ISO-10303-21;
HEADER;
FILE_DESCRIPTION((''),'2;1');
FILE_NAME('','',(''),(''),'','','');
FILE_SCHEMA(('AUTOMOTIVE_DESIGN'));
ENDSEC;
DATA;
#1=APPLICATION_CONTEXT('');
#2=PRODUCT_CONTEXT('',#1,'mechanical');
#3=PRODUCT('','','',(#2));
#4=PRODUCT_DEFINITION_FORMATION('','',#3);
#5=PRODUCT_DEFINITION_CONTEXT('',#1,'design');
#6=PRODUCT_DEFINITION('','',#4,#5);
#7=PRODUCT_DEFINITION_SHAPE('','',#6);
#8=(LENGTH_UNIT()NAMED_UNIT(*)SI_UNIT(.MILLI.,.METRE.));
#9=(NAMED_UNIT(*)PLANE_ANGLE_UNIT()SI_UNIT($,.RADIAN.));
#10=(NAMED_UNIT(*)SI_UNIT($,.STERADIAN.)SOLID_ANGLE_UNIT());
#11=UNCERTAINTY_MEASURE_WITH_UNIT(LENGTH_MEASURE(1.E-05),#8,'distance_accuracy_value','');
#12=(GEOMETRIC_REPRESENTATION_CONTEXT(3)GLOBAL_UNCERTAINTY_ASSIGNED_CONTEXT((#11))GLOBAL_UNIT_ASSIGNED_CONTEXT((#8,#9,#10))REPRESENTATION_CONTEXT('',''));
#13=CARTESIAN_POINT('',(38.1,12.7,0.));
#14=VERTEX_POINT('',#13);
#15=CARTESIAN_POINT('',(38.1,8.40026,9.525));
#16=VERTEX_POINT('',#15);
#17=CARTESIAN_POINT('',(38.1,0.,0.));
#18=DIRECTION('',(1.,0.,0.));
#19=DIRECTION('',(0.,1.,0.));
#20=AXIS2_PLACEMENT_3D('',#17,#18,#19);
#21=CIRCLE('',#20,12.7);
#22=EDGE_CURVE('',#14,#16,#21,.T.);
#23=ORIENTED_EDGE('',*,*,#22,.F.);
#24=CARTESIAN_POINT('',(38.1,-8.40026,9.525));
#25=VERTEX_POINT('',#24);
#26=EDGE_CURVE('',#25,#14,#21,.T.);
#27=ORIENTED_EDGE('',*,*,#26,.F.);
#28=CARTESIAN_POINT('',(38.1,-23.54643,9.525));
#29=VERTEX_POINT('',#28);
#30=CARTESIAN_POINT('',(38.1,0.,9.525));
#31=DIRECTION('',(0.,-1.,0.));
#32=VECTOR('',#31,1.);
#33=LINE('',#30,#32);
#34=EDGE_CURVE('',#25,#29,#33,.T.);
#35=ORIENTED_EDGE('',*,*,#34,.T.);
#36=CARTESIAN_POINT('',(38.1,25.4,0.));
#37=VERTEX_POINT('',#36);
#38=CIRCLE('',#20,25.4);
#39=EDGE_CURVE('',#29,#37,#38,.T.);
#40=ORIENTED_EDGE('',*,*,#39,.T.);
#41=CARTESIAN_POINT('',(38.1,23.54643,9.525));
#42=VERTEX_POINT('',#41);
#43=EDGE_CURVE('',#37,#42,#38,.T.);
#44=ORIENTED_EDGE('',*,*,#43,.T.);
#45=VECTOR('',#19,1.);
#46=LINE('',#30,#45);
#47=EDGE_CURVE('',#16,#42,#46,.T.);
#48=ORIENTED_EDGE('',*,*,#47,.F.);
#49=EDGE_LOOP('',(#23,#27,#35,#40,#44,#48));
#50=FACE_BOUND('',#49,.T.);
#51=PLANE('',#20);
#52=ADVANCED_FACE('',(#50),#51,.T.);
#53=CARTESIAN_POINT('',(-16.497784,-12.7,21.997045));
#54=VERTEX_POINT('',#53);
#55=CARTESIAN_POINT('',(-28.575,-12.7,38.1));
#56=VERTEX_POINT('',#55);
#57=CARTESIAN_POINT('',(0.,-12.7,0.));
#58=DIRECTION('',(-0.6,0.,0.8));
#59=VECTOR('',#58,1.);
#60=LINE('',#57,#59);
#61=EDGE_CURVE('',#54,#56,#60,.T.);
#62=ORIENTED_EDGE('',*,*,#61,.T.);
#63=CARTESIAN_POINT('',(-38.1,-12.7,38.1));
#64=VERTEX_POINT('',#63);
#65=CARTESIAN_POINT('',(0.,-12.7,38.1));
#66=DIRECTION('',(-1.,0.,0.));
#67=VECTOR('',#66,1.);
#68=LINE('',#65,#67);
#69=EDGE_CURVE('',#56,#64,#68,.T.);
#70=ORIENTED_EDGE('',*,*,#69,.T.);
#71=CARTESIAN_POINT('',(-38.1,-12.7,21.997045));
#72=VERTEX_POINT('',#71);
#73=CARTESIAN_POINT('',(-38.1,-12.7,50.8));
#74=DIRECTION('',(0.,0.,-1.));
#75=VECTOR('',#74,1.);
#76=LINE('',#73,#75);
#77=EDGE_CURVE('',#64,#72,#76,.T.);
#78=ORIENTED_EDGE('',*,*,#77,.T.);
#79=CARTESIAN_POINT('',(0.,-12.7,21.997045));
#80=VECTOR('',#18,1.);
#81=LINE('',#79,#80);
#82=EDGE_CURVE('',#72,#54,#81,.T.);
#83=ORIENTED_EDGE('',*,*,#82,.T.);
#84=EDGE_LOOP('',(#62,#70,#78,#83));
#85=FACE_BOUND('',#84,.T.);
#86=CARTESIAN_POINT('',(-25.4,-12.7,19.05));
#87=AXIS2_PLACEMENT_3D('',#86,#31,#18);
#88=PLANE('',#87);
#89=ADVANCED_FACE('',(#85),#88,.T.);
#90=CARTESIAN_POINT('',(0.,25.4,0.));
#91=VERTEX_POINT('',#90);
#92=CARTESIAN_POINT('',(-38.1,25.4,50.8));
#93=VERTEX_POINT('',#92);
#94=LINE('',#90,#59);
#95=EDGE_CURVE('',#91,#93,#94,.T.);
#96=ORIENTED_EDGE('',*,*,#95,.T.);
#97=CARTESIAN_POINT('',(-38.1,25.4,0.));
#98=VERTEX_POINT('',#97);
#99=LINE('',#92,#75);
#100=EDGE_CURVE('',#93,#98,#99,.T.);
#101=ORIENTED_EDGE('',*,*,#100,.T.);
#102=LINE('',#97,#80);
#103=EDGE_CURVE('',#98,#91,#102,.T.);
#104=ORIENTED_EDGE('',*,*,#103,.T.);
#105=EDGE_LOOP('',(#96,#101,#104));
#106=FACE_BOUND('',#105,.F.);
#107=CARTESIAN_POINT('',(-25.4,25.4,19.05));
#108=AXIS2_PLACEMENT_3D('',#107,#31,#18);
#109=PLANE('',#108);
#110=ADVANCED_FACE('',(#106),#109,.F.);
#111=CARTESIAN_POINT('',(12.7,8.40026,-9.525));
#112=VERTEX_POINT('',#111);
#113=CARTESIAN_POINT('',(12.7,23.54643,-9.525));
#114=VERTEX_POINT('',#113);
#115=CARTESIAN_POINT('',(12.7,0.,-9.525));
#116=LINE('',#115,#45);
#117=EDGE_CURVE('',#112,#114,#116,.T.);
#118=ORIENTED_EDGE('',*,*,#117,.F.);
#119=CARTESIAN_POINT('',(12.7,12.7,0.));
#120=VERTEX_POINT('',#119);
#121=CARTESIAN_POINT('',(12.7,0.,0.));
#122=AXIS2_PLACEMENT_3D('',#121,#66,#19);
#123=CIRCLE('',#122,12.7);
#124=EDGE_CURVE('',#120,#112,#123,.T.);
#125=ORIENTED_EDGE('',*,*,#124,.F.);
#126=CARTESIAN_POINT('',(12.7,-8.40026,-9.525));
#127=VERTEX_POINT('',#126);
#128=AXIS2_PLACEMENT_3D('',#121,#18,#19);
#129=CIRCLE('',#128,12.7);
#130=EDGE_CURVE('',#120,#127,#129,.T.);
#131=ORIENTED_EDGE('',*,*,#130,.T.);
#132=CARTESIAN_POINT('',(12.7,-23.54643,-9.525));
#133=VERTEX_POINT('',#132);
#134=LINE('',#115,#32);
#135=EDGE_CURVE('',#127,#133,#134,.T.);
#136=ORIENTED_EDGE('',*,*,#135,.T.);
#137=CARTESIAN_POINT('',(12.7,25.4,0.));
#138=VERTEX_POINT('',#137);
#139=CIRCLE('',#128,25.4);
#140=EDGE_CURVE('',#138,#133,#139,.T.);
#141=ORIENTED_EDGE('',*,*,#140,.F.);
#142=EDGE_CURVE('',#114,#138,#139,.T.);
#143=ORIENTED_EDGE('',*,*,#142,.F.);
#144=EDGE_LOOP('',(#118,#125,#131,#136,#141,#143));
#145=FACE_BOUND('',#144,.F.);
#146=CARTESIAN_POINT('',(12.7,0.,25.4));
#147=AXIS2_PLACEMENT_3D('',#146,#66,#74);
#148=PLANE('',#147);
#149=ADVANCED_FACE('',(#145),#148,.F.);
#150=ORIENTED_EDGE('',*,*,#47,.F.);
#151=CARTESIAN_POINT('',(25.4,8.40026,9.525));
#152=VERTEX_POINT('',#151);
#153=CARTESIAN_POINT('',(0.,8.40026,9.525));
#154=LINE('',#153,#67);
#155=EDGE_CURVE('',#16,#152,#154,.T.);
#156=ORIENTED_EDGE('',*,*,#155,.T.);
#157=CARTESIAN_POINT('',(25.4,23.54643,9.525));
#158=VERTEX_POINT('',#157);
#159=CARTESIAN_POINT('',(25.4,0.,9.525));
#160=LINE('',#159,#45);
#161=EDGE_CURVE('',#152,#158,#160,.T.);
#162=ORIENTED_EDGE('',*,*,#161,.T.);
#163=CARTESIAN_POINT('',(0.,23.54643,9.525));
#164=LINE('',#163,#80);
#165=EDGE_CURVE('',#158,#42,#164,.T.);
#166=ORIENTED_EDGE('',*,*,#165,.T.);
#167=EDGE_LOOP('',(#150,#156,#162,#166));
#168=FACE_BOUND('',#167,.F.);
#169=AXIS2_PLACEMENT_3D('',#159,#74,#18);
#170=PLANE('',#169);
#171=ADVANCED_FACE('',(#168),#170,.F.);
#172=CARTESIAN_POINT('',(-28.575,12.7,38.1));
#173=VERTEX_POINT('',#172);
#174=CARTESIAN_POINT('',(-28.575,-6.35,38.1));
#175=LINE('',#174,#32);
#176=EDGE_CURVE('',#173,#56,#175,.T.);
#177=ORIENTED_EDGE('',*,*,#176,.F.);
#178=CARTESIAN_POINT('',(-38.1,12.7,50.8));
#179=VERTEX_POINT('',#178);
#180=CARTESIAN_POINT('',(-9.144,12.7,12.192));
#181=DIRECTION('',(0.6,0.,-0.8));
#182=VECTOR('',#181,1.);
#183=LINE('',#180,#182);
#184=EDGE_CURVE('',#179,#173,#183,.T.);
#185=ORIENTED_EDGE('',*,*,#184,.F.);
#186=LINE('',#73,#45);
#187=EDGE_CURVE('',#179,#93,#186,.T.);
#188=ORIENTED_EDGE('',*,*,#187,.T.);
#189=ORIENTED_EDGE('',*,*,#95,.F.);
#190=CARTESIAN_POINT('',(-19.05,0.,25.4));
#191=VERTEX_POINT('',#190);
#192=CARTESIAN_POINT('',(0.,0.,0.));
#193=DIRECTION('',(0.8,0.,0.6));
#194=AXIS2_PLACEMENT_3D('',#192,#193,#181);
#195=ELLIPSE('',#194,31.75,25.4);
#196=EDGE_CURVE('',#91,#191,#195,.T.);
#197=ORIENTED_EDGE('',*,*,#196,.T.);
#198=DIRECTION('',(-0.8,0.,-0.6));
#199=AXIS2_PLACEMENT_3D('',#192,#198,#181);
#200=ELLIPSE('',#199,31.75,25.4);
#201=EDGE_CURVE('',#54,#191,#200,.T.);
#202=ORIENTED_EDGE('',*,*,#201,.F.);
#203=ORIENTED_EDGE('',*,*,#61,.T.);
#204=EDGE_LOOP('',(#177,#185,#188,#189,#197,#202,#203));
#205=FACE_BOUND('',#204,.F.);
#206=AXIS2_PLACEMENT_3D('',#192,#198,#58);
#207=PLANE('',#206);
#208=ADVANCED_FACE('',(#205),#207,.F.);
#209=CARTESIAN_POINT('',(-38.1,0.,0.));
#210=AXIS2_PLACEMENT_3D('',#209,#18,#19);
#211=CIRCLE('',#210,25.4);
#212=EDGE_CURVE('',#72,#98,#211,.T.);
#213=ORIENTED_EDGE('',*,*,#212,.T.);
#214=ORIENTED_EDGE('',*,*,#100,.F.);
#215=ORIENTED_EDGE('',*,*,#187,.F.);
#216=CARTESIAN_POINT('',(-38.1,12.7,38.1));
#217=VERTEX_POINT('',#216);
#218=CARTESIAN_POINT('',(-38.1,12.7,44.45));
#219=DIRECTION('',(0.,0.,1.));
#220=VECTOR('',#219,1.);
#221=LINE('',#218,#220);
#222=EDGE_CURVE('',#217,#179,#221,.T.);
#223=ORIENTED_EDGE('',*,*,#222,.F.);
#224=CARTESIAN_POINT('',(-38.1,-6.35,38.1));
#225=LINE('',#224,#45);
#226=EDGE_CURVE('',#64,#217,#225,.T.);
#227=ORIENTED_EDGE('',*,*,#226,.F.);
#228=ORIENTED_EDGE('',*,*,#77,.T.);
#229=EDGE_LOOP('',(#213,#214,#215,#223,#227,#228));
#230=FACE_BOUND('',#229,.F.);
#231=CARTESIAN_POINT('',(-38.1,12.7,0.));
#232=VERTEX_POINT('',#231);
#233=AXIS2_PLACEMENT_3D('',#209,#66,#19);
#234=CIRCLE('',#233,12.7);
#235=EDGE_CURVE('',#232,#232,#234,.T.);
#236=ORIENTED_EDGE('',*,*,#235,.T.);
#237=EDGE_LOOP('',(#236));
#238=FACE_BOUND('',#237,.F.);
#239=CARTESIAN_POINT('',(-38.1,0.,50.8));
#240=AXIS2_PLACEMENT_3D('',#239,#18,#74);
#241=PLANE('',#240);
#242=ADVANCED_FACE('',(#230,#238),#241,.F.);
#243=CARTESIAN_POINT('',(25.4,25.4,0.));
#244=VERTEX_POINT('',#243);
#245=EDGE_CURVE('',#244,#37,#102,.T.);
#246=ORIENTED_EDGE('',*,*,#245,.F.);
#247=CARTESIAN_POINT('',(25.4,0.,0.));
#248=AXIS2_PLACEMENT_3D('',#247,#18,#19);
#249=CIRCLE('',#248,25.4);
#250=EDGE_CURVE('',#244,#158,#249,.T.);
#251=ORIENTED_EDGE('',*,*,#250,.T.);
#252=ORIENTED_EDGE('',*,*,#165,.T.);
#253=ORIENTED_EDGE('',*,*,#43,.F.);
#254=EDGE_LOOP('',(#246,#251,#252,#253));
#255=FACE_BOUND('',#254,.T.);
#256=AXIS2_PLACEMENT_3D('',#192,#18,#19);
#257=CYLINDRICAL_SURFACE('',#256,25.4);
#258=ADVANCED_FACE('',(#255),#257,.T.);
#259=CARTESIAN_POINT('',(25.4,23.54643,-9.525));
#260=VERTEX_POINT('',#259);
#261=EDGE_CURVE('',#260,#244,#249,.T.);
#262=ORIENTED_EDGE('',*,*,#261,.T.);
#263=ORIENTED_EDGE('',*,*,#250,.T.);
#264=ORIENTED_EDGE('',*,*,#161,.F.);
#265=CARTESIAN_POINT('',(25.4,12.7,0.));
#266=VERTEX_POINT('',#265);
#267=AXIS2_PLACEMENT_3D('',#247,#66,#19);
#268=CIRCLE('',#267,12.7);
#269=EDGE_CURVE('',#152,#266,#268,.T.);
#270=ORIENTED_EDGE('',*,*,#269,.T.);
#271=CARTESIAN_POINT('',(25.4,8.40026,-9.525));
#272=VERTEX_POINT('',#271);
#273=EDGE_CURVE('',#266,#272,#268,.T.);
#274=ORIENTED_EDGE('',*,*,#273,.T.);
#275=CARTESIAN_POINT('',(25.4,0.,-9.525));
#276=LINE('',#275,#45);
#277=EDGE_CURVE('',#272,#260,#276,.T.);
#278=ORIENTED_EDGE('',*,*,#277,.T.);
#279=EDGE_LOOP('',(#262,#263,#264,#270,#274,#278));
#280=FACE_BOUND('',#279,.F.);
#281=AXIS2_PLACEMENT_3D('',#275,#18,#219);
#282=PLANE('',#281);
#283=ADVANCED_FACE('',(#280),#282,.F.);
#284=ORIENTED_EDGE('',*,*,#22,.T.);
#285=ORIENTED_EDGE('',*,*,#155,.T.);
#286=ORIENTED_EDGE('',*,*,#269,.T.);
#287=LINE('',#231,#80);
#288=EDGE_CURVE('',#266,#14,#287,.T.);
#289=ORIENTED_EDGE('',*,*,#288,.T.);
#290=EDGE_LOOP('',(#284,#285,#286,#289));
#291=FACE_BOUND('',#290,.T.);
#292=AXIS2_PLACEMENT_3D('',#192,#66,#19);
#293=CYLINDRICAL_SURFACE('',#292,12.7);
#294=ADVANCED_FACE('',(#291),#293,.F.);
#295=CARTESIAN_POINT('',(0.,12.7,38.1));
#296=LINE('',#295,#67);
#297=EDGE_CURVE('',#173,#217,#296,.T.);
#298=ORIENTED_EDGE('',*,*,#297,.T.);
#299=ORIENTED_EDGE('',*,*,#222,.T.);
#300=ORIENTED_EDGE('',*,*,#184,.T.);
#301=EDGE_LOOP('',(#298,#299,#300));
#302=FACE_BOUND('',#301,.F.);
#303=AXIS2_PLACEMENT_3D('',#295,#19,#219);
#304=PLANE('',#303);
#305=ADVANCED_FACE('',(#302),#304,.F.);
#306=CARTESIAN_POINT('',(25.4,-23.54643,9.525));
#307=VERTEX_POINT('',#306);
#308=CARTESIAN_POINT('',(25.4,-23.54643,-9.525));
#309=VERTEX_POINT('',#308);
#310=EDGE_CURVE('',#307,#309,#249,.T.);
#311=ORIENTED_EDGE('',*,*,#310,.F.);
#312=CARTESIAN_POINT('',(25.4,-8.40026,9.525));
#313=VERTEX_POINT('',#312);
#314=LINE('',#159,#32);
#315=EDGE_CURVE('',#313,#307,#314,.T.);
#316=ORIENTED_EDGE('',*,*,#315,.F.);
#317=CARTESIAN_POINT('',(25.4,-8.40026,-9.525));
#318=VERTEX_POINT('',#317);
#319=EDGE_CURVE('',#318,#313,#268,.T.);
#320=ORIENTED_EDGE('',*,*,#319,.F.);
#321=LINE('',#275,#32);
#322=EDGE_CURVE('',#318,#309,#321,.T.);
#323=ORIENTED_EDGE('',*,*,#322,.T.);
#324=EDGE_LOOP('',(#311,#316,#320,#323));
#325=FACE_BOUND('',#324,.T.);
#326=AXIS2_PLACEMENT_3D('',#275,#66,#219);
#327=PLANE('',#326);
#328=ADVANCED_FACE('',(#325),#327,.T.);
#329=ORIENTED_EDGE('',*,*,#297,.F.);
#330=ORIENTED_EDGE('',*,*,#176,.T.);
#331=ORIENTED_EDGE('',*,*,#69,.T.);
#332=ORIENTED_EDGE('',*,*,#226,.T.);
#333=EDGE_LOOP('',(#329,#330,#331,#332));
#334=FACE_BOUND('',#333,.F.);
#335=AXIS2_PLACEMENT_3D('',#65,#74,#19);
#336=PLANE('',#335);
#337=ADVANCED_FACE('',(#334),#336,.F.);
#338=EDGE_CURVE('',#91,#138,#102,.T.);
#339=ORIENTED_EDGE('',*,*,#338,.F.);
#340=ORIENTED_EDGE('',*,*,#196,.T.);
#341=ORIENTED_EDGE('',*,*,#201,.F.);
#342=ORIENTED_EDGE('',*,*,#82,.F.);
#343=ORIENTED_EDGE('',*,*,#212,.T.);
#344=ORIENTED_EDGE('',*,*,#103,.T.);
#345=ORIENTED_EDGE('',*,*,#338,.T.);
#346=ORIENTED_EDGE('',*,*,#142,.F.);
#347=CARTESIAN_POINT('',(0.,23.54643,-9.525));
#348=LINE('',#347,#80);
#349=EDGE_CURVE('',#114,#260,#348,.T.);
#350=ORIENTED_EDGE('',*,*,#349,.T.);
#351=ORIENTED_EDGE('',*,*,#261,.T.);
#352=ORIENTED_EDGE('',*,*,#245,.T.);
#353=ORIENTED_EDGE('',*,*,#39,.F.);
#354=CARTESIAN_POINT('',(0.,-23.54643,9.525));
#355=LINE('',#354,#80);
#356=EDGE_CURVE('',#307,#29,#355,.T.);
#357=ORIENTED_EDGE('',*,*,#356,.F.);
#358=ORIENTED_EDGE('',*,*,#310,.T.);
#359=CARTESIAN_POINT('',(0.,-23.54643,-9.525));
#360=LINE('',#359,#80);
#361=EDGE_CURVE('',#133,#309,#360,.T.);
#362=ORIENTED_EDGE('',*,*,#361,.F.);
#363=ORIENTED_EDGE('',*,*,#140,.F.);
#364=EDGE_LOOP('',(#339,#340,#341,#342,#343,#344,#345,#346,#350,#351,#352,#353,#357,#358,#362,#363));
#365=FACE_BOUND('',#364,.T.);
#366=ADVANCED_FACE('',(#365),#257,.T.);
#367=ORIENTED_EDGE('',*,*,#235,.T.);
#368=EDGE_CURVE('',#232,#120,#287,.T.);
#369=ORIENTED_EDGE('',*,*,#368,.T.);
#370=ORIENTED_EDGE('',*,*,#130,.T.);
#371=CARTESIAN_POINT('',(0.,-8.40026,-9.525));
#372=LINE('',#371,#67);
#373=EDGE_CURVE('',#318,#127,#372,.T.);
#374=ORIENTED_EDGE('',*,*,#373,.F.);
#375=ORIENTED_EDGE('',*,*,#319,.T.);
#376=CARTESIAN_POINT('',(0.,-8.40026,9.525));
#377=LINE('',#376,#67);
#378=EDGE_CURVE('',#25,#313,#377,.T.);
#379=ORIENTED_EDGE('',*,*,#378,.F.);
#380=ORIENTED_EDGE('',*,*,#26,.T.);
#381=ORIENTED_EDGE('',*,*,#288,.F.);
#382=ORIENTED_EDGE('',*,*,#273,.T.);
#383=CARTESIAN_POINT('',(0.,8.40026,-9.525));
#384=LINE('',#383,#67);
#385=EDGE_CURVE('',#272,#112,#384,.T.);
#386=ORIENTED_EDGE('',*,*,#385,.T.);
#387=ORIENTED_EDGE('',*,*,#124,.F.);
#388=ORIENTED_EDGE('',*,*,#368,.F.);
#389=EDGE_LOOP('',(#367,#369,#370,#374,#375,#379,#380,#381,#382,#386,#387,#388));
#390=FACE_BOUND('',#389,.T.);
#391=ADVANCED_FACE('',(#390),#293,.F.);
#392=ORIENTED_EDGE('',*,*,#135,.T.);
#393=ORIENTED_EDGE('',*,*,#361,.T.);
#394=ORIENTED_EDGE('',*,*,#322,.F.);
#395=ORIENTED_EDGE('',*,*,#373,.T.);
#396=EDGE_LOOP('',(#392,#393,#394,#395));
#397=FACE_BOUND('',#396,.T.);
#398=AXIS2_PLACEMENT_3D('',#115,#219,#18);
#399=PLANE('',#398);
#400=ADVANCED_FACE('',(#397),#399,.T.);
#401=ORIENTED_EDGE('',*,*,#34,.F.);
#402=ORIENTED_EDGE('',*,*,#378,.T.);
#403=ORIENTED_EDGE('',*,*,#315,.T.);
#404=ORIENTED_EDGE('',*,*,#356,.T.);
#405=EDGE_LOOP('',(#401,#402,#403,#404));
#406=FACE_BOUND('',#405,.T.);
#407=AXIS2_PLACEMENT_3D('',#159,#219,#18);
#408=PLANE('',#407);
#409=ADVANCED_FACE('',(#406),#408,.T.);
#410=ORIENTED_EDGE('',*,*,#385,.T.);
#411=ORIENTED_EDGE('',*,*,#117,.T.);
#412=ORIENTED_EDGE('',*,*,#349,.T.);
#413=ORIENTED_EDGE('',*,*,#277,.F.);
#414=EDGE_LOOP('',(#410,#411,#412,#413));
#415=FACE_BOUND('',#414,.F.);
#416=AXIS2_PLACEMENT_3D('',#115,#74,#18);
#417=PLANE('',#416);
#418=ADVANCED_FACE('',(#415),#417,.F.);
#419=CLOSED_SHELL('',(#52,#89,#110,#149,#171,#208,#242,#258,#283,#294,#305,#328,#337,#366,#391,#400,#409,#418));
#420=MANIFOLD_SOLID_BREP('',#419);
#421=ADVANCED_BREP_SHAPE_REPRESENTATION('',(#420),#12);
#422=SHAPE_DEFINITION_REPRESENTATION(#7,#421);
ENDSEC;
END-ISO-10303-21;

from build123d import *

# Parameters (mm, degrees)
F0_R          = 25.4
F0_R_2        = 12.7
F1_DEPTH      = 38.1
F3_DEPTH      = 12.7
F3_DEPTH_BACK = 25.4
F4_R          = 12.7
F5_DEPTH      = 38.101
F6_W          = 25.4
F6_H          = 12.7
F7_DEPTH      = 38.101
F9_DEPTH      = 25.401
F9_DEPTH_BACK = 25.401


with BuildPart() as f1:
    # F0 (on Right) → F1 (new body, symmetric)
    with BuildSketch(Plane.YZ):
        Circle(F0_R)
        Circle(F0_R_2, mode=Mode.SUBTRACT)
    extrude(amount=F1_DEPTH, both=True)

    # F2 (on Front) → F3 (join, two sides)
    with BuildSketch(Plane.XZ) as f3_sk:
        Polygon((0, 0), (-38.1, 50.8), (-38.1, 0), align=None)
    extrude(amount=F3_DEPTH)
    extrude(f3_sk.sketch, amount=-F3_DEPTH_BACK)

    # F4 (on Right) → F5 (cut, through all)
    with BuildSketch(Plane.YZ):
        Circle(F4_R)
    extrude(amount=-F5_DEPTH, mode=Mode.SUBTRACT)

    # F6 (on Right) → F7 (cut, through all)
    with BuildSketch(Plane.YZ):
        with Locations((0, 44.45)):
            Rectangle(F6_W, F6_H)
    extrude(amount=-F7_DEPTH, mode=Mode.SUBTRACT)

    # F8 (on Front) → F9 (cut, two sides)
    with BuildSketch(Plane.XZ) as f9_sk:
        Polygon((38.1, 25.4), (12.7, 25.4), (12.7, -9.525), (25.4, -9.525), (25.4, 9.525), (38.1, 9.525), align=None)
    extrude(amount=-F9_DEPTH, mode=Mode.SUBTRACT)
    extrude(f9_sk.sketch, amount=F9_DEPTH_BACK, mode=Mode.SUBTRACT)


solid = f1.part
